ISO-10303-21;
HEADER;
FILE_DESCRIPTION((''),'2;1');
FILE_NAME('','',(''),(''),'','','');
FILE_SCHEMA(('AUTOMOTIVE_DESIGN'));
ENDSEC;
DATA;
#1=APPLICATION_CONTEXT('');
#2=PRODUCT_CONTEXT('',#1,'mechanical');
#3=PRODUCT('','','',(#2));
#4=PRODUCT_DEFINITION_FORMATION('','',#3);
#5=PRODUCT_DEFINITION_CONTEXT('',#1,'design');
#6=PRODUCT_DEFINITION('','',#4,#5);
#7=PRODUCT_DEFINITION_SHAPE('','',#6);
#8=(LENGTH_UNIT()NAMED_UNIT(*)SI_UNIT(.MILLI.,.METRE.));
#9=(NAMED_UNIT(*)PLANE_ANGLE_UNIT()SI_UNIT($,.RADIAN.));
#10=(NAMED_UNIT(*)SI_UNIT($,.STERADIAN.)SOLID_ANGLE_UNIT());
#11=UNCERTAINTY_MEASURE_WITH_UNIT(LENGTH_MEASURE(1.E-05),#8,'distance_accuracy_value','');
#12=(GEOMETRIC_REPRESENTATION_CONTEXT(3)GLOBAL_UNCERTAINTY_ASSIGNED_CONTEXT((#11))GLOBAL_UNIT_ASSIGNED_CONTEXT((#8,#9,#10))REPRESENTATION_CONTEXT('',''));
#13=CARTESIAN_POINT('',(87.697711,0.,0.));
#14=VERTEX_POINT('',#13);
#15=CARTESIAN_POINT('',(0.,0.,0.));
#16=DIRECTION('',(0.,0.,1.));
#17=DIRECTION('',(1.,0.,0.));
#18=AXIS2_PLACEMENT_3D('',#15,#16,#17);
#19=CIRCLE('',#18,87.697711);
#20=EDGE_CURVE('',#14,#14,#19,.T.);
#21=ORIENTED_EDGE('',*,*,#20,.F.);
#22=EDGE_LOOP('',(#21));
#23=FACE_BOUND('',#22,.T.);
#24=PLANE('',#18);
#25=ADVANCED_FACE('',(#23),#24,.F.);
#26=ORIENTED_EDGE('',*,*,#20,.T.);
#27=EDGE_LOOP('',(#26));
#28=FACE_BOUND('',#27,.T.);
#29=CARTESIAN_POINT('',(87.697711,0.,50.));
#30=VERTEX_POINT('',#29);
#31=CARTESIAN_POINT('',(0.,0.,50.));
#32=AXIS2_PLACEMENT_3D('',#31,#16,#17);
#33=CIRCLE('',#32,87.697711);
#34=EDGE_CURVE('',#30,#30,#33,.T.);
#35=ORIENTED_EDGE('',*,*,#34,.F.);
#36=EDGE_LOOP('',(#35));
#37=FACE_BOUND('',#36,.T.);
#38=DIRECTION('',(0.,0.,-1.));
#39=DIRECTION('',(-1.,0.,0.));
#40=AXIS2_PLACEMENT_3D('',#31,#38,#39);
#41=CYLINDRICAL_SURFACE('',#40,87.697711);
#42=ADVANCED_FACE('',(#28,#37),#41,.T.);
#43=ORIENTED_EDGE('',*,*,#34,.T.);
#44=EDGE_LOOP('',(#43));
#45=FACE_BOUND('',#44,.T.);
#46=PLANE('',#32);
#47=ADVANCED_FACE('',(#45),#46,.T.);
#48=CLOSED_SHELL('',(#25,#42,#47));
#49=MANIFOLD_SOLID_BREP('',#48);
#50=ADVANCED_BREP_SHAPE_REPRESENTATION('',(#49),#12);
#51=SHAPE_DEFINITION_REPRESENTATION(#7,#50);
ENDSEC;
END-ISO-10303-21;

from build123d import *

# Parameters (mm, degrees)
SKIZZE1_R                       = 87.697711293
AUFSATZ_LINEAR_AUSTRAGEN1_DEPTH = 50


with BuildPart() as part:
    # Skizze1 → Aufsatz-Linear austragen1 (new body)
    with BuildSketch(Plane.XY):
        Circle(SKIZZE1_R)
    extrude(amount=AUFSATZ_LINEAR_AUSTRAGEN1_DEPTH)


solid = part.part
